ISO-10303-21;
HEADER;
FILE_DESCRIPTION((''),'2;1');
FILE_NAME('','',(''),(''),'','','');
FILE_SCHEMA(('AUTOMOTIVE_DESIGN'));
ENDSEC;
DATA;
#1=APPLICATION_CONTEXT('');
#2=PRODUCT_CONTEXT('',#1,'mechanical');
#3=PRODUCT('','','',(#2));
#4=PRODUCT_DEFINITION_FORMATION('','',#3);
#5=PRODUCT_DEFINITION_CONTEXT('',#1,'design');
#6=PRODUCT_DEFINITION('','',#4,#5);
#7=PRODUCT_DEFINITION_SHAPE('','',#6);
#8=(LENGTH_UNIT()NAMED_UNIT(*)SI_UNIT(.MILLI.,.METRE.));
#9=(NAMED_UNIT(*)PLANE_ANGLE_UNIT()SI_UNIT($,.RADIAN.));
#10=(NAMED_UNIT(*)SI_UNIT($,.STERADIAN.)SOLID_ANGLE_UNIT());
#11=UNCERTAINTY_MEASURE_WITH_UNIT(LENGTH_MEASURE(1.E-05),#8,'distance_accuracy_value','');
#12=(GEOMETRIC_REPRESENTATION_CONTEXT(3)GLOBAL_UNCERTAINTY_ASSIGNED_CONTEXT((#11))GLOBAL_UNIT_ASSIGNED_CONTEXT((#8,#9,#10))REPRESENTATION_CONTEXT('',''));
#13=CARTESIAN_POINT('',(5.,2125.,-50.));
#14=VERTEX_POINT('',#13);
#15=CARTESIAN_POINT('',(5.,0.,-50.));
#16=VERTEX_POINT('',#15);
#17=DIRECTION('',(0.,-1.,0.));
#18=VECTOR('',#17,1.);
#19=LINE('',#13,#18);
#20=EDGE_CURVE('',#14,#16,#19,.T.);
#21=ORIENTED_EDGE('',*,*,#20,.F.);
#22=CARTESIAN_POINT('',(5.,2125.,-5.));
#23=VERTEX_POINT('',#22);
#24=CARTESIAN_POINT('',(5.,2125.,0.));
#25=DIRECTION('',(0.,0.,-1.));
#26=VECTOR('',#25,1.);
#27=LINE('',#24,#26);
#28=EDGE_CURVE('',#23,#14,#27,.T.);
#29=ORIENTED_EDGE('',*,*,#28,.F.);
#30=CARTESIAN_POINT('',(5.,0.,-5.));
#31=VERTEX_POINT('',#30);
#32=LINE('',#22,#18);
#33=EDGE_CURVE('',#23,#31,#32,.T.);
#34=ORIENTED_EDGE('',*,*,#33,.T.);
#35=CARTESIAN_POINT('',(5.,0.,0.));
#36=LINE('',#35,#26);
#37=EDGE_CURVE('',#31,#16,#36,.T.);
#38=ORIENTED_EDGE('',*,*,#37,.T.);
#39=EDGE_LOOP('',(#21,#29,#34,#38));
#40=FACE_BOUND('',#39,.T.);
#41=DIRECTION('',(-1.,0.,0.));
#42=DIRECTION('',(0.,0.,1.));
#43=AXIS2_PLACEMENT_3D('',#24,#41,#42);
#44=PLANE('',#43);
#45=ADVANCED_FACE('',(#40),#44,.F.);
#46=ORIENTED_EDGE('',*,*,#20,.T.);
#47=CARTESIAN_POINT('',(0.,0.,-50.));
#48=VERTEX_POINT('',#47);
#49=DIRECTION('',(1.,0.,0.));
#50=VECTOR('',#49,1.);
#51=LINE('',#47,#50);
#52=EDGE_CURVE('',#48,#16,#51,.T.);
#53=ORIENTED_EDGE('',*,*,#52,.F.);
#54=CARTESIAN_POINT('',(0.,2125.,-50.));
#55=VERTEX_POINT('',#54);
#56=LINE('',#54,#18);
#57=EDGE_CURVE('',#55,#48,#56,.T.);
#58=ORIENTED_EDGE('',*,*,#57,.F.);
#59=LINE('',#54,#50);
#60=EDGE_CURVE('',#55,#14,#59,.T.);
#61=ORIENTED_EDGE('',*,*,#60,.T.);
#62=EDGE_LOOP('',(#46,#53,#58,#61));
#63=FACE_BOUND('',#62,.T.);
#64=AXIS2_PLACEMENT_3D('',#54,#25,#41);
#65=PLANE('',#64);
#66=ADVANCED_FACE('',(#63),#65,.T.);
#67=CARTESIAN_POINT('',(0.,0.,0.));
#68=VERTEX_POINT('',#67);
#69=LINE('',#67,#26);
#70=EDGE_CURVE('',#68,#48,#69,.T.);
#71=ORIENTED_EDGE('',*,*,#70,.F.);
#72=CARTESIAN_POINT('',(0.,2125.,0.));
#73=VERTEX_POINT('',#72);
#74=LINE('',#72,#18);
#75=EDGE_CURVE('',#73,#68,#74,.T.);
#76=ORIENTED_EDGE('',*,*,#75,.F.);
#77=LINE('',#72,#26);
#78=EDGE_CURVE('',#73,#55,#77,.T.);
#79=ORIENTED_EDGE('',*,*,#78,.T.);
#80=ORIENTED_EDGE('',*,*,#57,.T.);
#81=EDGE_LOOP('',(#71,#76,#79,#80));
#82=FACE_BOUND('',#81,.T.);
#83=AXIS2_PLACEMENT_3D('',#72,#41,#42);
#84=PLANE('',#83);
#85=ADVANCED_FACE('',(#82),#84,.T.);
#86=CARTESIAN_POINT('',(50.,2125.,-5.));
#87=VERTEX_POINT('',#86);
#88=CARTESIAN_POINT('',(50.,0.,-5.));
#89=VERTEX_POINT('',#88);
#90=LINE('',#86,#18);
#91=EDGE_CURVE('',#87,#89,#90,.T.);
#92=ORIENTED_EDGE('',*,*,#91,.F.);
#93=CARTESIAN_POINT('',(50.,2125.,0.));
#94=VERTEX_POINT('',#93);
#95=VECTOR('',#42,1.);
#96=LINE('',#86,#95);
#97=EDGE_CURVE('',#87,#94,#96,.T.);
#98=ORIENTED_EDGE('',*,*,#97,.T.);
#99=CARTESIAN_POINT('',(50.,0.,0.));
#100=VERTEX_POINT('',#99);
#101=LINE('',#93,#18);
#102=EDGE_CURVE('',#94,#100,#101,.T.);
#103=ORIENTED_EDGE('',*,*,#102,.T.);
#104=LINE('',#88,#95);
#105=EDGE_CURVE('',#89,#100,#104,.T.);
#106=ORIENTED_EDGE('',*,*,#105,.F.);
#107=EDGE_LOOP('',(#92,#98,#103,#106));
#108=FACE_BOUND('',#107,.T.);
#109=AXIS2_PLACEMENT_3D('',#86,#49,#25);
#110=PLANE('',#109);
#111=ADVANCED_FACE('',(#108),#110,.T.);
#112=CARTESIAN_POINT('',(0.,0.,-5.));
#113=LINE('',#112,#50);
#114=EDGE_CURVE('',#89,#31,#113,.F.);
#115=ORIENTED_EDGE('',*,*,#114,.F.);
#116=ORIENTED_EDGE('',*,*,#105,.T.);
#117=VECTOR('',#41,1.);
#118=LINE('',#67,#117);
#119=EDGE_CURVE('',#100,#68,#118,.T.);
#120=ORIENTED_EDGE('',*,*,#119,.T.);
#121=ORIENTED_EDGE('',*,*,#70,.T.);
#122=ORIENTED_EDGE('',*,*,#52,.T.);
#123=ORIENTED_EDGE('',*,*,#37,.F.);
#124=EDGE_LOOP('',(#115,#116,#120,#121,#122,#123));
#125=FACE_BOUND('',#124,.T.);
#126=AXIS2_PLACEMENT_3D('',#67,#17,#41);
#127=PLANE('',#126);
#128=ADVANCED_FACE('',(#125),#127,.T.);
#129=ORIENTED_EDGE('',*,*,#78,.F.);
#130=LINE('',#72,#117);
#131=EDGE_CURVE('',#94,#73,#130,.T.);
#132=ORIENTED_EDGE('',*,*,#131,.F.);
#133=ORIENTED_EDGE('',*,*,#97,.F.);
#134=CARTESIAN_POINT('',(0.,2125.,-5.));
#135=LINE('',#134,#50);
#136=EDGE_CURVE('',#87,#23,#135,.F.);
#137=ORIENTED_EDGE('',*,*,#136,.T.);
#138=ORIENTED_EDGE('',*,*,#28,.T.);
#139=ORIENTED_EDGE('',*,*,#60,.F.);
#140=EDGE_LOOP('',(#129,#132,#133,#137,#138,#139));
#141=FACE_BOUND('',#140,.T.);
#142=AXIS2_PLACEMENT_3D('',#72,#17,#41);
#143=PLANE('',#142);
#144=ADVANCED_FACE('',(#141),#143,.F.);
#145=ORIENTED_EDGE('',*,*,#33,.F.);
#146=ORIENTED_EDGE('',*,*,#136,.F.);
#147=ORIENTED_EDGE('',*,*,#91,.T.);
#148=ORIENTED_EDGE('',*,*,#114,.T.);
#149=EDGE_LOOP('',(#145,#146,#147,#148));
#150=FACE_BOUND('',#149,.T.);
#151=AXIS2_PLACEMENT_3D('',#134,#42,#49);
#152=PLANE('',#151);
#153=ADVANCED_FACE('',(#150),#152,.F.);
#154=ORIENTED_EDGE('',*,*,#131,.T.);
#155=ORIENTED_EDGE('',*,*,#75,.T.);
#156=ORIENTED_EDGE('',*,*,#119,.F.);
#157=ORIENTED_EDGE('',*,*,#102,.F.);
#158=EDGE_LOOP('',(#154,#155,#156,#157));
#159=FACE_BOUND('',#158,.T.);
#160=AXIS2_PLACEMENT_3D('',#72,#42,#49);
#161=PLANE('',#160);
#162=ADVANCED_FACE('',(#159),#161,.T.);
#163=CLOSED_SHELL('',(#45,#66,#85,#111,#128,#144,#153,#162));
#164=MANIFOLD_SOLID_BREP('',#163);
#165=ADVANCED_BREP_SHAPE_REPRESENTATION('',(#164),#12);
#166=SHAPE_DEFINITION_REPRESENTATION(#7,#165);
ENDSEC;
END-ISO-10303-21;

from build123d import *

# Parameters (mm, degrees)
EXTRUDE_1_DEPTH = 2125


with BuildPart() as part:
    # Эскиз1 → Вытянуть-Тонкостенный1 (new body)
    with BuildSketch(Plane(origin=(0, 0, 0), x_dir=(1, 0, 0), z_dir=(0, 1, 0))):
        Polygon((0, 50), (0, 0), (50, 0), (50, 5), (5, 5), (5, 50), align=None)
    extrude(amount=EXTRUDE_1_DEPTH)


solid = part.part
